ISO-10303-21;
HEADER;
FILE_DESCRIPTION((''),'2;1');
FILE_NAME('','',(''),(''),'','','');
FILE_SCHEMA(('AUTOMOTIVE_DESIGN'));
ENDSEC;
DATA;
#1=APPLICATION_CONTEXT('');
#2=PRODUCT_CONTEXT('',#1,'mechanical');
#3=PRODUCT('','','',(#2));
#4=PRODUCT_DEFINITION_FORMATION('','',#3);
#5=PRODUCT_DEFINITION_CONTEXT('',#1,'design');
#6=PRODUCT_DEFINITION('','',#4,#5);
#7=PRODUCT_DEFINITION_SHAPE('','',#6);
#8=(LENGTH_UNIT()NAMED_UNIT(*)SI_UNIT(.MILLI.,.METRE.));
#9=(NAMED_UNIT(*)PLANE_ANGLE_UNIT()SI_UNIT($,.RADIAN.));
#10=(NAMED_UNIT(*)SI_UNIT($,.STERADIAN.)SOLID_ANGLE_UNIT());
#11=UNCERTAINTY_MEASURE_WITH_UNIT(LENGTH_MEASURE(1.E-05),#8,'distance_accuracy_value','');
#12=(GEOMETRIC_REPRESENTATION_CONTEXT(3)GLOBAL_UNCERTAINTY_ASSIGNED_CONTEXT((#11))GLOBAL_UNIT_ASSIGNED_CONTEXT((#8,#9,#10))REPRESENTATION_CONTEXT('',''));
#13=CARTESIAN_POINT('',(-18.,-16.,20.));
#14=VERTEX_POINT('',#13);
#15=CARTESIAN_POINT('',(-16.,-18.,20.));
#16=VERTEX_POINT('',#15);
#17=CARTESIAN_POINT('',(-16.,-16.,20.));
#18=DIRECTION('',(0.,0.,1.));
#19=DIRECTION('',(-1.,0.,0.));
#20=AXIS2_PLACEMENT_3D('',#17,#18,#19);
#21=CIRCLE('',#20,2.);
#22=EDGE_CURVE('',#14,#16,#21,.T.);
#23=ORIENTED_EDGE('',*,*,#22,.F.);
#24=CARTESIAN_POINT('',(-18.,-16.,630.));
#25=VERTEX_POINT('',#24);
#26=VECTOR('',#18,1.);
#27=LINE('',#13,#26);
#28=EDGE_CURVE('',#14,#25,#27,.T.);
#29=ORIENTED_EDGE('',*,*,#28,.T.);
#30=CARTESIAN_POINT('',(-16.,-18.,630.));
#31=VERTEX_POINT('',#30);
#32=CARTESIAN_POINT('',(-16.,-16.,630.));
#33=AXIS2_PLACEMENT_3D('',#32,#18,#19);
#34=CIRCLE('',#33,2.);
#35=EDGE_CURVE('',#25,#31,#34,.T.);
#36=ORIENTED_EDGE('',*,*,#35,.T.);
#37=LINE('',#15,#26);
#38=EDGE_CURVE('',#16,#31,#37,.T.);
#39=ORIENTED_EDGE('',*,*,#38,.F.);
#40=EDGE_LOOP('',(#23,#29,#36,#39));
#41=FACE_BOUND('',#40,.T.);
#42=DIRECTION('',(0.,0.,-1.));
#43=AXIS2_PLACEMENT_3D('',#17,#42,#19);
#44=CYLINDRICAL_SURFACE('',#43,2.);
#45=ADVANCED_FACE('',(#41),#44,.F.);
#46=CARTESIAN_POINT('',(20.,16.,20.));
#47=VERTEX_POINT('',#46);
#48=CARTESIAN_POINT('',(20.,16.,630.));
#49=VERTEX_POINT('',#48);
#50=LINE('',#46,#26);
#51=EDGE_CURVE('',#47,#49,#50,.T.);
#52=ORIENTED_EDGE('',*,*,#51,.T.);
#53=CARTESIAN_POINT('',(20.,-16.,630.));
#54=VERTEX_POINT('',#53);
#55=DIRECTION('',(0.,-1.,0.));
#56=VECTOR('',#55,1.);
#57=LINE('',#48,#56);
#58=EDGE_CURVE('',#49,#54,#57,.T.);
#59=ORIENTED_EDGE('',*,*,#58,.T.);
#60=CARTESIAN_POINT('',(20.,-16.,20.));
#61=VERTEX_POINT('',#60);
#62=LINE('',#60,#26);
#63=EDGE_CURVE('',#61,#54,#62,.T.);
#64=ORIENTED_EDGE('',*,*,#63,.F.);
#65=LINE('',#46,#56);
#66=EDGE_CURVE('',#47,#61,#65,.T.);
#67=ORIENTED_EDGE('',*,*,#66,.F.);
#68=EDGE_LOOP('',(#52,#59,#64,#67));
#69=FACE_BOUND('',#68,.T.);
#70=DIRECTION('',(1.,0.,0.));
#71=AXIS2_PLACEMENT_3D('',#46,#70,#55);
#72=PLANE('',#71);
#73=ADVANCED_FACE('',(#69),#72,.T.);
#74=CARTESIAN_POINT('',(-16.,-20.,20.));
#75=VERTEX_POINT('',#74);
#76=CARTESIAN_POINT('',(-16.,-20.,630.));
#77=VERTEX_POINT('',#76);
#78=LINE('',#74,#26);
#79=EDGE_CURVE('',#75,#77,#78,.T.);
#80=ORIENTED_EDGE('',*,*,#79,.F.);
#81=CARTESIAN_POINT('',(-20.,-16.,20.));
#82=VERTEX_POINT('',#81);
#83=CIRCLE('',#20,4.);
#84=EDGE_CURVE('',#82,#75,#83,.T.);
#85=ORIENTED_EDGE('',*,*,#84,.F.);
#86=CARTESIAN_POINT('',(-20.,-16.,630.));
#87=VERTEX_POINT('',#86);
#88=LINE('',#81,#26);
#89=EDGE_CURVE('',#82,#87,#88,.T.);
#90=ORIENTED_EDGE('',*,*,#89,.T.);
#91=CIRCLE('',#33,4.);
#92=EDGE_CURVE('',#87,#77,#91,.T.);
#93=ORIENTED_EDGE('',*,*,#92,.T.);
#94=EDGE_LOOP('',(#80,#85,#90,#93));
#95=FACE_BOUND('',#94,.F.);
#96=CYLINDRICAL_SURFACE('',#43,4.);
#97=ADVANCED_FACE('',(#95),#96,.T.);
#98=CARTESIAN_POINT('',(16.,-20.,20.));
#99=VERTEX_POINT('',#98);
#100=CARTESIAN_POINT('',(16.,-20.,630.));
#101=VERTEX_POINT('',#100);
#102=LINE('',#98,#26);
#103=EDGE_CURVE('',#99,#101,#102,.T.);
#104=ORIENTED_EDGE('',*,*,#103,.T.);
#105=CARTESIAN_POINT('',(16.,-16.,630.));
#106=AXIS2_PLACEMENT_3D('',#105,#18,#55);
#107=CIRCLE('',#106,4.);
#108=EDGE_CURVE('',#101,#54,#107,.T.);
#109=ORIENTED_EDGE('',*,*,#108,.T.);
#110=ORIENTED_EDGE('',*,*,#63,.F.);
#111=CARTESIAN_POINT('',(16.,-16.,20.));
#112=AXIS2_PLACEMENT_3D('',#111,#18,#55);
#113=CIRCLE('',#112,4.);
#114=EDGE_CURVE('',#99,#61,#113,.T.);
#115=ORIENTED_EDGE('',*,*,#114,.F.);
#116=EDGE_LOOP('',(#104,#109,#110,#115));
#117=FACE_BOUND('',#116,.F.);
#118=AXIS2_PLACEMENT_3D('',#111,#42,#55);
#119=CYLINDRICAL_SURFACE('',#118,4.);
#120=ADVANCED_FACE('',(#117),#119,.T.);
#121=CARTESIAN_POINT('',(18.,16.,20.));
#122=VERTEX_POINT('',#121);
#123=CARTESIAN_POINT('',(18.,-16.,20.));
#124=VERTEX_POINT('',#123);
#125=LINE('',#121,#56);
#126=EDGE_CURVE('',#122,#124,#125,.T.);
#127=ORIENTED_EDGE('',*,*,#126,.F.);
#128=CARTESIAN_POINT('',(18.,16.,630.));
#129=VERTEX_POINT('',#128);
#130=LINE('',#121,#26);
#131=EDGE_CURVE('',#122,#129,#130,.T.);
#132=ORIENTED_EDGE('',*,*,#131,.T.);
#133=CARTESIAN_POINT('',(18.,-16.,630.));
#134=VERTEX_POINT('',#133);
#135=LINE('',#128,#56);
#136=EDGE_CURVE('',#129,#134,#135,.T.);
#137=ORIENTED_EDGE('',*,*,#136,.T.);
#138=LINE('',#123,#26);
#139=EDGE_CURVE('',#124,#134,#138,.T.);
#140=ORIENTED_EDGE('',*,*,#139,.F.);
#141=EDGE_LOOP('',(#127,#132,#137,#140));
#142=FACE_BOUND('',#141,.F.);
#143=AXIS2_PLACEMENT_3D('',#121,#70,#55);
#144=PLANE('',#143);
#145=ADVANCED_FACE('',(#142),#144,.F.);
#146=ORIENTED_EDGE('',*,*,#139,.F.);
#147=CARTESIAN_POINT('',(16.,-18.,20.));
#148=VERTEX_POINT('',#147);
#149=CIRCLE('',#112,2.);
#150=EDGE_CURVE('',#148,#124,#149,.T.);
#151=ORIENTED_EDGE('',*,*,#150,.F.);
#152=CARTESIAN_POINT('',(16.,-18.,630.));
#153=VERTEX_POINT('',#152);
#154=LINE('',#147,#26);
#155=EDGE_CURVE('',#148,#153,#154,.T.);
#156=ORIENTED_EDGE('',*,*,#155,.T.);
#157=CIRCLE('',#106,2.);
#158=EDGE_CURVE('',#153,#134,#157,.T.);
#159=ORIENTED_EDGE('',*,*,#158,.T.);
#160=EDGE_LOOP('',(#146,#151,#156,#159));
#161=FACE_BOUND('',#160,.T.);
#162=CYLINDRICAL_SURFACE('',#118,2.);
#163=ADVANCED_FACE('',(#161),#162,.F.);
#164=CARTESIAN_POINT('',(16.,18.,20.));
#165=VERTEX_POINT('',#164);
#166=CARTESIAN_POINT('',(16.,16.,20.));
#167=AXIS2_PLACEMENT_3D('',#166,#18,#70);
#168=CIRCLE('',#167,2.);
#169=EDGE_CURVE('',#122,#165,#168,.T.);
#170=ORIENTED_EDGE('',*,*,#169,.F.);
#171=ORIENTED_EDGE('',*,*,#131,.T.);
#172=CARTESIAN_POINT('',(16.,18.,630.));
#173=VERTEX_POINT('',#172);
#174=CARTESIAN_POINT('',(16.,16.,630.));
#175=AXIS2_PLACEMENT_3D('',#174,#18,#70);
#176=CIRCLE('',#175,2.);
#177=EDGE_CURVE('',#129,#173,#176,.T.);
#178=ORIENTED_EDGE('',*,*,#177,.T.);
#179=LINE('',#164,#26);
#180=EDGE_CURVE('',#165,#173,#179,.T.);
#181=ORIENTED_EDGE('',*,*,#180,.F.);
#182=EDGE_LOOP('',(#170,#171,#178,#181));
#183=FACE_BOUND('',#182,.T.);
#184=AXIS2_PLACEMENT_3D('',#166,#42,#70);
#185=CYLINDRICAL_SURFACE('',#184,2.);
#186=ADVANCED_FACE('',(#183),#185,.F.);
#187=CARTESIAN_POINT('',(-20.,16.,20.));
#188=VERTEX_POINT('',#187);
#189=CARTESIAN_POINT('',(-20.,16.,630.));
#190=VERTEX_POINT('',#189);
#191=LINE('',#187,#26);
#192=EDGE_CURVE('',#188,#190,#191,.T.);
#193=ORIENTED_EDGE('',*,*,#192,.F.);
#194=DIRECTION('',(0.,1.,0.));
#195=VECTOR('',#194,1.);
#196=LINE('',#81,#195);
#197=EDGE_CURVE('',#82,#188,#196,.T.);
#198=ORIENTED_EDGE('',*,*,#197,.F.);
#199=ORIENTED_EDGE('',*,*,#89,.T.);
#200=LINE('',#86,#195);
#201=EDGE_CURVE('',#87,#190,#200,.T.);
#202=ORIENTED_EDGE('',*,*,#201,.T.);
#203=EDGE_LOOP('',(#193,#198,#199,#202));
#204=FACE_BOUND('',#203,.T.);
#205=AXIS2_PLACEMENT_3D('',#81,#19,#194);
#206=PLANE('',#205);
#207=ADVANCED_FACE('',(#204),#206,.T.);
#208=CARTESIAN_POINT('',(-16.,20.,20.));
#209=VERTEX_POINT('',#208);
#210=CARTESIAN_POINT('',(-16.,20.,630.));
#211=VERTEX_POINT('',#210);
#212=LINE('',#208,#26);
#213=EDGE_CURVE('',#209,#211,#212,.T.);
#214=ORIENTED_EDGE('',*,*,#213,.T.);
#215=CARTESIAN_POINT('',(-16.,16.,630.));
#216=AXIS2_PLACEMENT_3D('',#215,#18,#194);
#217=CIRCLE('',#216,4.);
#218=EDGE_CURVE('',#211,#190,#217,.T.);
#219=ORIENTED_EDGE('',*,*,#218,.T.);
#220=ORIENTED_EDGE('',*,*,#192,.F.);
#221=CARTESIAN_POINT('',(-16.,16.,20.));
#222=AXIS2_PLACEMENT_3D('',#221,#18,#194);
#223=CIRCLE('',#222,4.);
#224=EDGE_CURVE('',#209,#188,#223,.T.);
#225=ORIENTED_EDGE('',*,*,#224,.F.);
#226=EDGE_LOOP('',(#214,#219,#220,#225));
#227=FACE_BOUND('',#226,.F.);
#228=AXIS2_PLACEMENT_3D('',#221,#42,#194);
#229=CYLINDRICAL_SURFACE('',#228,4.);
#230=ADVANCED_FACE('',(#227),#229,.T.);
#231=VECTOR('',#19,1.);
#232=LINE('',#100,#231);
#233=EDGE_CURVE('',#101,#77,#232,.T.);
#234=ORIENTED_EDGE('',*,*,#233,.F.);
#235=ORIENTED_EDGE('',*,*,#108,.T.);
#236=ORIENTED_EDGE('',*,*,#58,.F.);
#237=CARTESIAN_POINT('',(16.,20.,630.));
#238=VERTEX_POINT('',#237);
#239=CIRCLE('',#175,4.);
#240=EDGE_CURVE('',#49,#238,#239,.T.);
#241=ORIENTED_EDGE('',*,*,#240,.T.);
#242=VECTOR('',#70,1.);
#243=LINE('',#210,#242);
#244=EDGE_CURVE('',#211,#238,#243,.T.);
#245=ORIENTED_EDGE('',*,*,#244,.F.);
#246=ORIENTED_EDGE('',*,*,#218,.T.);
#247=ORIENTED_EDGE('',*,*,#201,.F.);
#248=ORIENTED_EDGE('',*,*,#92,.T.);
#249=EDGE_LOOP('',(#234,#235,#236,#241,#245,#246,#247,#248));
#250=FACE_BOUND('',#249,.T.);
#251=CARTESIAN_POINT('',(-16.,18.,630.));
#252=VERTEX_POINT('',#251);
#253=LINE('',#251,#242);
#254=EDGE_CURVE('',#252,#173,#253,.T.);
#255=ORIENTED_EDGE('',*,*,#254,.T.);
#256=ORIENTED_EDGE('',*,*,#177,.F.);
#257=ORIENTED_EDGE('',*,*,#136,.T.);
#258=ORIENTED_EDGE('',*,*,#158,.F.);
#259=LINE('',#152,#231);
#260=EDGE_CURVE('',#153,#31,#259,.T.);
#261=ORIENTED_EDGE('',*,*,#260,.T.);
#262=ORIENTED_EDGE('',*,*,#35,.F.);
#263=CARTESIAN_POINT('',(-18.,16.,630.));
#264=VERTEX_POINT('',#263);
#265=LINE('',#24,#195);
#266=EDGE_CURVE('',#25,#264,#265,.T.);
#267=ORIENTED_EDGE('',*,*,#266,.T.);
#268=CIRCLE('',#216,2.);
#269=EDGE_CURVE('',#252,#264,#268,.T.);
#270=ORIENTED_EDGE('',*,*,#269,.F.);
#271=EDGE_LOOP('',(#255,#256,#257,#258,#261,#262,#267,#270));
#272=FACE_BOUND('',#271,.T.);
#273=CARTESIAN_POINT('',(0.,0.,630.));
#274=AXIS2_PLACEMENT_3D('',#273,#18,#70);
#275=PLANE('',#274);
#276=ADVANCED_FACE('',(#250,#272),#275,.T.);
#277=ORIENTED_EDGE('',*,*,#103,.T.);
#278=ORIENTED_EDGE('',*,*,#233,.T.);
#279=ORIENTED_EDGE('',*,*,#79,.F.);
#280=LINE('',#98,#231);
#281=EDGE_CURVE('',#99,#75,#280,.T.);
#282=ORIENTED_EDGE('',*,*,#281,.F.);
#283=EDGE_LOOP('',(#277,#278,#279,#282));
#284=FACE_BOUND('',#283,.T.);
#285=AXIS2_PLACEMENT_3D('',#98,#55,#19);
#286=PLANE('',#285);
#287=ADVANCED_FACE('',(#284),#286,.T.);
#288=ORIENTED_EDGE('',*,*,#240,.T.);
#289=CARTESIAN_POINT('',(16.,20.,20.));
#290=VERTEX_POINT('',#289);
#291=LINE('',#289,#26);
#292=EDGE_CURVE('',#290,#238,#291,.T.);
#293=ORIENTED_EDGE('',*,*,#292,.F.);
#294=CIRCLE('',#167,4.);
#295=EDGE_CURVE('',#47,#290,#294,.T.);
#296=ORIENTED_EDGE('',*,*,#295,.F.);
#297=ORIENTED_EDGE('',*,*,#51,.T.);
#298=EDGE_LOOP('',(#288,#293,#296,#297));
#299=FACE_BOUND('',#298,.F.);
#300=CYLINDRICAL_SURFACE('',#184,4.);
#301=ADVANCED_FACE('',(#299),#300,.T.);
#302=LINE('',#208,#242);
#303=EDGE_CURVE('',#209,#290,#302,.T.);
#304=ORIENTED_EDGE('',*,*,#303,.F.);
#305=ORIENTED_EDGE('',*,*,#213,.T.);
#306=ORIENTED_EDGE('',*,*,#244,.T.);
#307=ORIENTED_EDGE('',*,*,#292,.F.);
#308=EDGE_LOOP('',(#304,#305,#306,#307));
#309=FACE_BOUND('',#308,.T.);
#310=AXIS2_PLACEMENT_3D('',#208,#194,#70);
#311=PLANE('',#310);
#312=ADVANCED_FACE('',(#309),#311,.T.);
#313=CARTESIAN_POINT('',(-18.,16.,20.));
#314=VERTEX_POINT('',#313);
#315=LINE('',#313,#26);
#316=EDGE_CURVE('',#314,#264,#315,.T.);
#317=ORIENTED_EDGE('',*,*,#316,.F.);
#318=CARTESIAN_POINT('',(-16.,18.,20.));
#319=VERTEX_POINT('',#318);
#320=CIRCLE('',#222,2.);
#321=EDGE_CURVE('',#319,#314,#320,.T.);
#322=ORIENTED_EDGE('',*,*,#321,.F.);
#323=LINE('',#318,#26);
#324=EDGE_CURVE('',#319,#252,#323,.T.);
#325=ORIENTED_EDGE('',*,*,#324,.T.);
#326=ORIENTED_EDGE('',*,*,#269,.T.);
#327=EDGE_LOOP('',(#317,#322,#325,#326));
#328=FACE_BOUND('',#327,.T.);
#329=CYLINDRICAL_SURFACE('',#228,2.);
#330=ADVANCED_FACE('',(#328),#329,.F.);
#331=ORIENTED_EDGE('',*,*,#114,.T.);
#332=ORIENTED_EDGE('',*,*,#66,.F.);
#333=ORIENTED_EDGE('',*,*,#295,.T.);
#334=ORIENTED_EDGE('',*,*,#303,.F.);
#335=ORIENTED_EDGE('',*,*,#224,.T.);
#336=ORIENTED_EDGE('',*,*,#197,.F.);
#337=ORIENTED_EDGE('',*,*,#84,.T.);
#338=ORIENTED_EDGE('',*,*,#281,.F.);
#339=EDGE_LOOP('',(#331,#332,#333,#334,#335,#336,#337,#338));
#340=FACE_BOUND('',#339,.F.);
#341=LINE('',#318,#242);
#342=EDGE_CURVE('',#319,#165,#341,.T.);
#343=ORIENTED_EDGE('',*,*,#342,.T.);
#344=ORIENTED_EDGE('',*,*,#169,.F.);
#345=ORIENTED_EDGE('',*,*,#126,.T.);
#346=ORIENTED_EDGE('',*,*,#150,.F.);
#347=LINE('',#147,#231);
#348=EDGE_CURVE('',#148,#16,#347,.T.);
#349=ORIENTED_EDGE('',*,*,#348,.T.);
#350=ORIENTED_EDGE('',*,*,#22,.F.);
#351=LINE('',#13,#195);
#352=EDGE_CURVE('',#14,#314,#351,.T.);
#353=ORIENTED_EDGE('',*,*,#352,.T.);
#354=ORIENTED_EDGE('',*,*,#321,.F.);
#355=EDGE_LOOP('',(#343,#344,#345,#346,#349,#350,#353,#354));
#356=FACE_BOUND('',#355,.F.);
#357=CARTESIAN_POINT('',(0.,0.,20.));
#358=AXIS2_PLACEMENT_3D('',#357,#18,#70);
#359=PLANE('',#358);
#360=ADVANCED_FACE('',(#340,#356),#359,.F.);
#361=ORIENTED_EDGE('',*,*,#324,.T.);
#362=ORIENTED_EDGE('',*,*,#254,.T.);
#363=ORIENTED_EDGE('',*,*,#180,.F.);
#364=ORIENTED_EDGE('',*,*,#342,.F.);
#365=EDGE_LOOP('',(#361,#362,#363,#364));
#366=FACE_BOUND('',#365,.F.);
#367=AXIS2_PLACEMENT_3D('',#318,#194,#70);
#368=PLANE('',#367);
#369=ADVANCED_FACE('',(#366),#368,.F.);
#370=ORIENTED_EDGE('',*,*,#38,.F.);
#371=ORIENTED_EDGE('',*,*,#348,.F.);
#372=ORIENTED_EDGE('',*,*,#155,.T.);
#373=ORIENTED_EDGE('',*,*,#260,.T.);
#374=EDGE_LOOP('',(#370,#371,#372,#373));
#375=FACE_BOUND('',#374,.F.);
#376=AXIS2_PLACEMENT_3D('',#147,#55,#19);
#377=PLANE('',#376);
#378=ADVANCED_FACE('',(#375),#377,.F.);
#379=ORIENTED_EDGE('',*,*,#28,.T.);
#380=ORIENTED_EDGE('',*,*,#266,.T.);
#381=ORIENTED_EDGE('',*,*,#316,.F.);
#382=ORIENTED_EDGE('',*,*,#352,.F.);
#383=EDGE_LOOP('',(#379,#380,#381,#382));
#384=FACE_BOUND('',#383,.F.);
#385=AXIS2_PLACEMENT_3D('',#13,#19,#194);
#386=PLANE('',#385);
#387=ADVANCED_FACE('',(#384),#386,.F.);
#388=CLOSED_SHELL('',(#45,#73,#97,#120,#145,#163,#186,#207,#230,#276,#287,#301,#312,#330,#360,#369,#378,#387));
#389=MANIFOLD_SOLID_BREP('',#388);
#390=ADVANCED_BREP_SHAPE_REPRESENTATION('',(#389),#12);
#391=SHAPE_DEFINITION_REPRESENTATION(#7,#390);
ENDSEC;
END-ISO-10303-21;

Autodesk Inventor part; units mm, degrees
ref_plane "YZ Plane" through (0, 0, 0) normal (1, 0, 0) x (0, 1, 0)
ref_plane "Start Plane" through (0, 0, 20) normal (0, 0, 1) x (1, 0, 0)
ref_plane "End Plane" through (0, 0, 630) normal (0, 0, 1) x (1, 0, 0)
sketch "Sketch" plane through (0, 0, 0) normal (0, 0, 1) x (1, 0, 0)
  line L0 (-20, -16) -> (-20, 16)
  line L1 (-16, 20) -> (16, 20)
  line L2 (20, 16) -> (20, -16)
  line L3 (16, -20) -> (-16, -20)
  arc A0 (-20, -16) -> (-16, -20) centre (-16, -16) ccw
  arc A1 (20, 16) -> (16, 20) centre (16, 16) ccw
  arc A2 (-16, 20) -> (-20, 16) centre (-16, 16) ccw
  arc A3 (16, -20) -> (20, -16) centre (16, -16) ccw
  arc A4 (-16, 18) -> (-18, 16) centre (-16, 16) ccw
  line L4 (-16, 18) -> (16, 18)
  arc A5 (18, 16) -> (16, 18) centre (16, 16) ccw
  line L5 (18, 16) -> (18, -16)
  arc A6 (16, -18) -> (18, -16) centre (16, -16) ccw
  line L6 (16, -18) -> (-16, -18)
  arc A7 (-18, -16) -> (-16, -18) centre (-16, -16) ccw
  line L7 (-18, -16) -> (-18, 16)
  line L8 (0, 29.1598) -> (0, -29.1598) construction
  line L9 (-29.1598, 0) -> (29.1598, 0) construction
  dimension "d7" = 4
  dimension "d9" = 40
  dimension "d11" = 40
  dimension "d12" = 2
  dimension "d15" = 20
  dimension "d16" = 20
extrude "Body" add sketch "Sketch" along normal up to surface (610 mm away) from surface at 20
sketch "Sketch3" plane through (0, 0, 0) normal (0, 0, 1) x (1, 0, 0)
  line L0 (0, 0) -> (10, 0)
ref_plane "Work Plane3" through (0, 0, 0) normal (0, -1, 0) x (1, 0, 0)
sketch "Sketch4" plane through (0, 0, 0) normal (0, -1, 0) x (1, 0, 0)
  line L0 (-2, 20) -> (12, 20) projected
  line L1 (-2, 630) -> (12, 630) projected
  dimension "d18" = 610
equation "\"d7\" = G_IR"
equation "\"d9\" = G_W"
equation "\"d11\" = G_H"
equation "\"d12\" = G_T"
equation "\"d15\" = 0.5 * d9"
equation "\"d16\" = 0.5 * d11"
equation "\"d3\" = G_L"
equation "\"G_W\" = 40"
equation "\"G_H\" = 40"
equation "\"G_T\" = 2"
equation "\"G_IR\" = 4"
equation "\"G_L\" = d18"
properties part number "ISO 10799-2 - 40x40x2 - 610" material "Steel, Mild"
